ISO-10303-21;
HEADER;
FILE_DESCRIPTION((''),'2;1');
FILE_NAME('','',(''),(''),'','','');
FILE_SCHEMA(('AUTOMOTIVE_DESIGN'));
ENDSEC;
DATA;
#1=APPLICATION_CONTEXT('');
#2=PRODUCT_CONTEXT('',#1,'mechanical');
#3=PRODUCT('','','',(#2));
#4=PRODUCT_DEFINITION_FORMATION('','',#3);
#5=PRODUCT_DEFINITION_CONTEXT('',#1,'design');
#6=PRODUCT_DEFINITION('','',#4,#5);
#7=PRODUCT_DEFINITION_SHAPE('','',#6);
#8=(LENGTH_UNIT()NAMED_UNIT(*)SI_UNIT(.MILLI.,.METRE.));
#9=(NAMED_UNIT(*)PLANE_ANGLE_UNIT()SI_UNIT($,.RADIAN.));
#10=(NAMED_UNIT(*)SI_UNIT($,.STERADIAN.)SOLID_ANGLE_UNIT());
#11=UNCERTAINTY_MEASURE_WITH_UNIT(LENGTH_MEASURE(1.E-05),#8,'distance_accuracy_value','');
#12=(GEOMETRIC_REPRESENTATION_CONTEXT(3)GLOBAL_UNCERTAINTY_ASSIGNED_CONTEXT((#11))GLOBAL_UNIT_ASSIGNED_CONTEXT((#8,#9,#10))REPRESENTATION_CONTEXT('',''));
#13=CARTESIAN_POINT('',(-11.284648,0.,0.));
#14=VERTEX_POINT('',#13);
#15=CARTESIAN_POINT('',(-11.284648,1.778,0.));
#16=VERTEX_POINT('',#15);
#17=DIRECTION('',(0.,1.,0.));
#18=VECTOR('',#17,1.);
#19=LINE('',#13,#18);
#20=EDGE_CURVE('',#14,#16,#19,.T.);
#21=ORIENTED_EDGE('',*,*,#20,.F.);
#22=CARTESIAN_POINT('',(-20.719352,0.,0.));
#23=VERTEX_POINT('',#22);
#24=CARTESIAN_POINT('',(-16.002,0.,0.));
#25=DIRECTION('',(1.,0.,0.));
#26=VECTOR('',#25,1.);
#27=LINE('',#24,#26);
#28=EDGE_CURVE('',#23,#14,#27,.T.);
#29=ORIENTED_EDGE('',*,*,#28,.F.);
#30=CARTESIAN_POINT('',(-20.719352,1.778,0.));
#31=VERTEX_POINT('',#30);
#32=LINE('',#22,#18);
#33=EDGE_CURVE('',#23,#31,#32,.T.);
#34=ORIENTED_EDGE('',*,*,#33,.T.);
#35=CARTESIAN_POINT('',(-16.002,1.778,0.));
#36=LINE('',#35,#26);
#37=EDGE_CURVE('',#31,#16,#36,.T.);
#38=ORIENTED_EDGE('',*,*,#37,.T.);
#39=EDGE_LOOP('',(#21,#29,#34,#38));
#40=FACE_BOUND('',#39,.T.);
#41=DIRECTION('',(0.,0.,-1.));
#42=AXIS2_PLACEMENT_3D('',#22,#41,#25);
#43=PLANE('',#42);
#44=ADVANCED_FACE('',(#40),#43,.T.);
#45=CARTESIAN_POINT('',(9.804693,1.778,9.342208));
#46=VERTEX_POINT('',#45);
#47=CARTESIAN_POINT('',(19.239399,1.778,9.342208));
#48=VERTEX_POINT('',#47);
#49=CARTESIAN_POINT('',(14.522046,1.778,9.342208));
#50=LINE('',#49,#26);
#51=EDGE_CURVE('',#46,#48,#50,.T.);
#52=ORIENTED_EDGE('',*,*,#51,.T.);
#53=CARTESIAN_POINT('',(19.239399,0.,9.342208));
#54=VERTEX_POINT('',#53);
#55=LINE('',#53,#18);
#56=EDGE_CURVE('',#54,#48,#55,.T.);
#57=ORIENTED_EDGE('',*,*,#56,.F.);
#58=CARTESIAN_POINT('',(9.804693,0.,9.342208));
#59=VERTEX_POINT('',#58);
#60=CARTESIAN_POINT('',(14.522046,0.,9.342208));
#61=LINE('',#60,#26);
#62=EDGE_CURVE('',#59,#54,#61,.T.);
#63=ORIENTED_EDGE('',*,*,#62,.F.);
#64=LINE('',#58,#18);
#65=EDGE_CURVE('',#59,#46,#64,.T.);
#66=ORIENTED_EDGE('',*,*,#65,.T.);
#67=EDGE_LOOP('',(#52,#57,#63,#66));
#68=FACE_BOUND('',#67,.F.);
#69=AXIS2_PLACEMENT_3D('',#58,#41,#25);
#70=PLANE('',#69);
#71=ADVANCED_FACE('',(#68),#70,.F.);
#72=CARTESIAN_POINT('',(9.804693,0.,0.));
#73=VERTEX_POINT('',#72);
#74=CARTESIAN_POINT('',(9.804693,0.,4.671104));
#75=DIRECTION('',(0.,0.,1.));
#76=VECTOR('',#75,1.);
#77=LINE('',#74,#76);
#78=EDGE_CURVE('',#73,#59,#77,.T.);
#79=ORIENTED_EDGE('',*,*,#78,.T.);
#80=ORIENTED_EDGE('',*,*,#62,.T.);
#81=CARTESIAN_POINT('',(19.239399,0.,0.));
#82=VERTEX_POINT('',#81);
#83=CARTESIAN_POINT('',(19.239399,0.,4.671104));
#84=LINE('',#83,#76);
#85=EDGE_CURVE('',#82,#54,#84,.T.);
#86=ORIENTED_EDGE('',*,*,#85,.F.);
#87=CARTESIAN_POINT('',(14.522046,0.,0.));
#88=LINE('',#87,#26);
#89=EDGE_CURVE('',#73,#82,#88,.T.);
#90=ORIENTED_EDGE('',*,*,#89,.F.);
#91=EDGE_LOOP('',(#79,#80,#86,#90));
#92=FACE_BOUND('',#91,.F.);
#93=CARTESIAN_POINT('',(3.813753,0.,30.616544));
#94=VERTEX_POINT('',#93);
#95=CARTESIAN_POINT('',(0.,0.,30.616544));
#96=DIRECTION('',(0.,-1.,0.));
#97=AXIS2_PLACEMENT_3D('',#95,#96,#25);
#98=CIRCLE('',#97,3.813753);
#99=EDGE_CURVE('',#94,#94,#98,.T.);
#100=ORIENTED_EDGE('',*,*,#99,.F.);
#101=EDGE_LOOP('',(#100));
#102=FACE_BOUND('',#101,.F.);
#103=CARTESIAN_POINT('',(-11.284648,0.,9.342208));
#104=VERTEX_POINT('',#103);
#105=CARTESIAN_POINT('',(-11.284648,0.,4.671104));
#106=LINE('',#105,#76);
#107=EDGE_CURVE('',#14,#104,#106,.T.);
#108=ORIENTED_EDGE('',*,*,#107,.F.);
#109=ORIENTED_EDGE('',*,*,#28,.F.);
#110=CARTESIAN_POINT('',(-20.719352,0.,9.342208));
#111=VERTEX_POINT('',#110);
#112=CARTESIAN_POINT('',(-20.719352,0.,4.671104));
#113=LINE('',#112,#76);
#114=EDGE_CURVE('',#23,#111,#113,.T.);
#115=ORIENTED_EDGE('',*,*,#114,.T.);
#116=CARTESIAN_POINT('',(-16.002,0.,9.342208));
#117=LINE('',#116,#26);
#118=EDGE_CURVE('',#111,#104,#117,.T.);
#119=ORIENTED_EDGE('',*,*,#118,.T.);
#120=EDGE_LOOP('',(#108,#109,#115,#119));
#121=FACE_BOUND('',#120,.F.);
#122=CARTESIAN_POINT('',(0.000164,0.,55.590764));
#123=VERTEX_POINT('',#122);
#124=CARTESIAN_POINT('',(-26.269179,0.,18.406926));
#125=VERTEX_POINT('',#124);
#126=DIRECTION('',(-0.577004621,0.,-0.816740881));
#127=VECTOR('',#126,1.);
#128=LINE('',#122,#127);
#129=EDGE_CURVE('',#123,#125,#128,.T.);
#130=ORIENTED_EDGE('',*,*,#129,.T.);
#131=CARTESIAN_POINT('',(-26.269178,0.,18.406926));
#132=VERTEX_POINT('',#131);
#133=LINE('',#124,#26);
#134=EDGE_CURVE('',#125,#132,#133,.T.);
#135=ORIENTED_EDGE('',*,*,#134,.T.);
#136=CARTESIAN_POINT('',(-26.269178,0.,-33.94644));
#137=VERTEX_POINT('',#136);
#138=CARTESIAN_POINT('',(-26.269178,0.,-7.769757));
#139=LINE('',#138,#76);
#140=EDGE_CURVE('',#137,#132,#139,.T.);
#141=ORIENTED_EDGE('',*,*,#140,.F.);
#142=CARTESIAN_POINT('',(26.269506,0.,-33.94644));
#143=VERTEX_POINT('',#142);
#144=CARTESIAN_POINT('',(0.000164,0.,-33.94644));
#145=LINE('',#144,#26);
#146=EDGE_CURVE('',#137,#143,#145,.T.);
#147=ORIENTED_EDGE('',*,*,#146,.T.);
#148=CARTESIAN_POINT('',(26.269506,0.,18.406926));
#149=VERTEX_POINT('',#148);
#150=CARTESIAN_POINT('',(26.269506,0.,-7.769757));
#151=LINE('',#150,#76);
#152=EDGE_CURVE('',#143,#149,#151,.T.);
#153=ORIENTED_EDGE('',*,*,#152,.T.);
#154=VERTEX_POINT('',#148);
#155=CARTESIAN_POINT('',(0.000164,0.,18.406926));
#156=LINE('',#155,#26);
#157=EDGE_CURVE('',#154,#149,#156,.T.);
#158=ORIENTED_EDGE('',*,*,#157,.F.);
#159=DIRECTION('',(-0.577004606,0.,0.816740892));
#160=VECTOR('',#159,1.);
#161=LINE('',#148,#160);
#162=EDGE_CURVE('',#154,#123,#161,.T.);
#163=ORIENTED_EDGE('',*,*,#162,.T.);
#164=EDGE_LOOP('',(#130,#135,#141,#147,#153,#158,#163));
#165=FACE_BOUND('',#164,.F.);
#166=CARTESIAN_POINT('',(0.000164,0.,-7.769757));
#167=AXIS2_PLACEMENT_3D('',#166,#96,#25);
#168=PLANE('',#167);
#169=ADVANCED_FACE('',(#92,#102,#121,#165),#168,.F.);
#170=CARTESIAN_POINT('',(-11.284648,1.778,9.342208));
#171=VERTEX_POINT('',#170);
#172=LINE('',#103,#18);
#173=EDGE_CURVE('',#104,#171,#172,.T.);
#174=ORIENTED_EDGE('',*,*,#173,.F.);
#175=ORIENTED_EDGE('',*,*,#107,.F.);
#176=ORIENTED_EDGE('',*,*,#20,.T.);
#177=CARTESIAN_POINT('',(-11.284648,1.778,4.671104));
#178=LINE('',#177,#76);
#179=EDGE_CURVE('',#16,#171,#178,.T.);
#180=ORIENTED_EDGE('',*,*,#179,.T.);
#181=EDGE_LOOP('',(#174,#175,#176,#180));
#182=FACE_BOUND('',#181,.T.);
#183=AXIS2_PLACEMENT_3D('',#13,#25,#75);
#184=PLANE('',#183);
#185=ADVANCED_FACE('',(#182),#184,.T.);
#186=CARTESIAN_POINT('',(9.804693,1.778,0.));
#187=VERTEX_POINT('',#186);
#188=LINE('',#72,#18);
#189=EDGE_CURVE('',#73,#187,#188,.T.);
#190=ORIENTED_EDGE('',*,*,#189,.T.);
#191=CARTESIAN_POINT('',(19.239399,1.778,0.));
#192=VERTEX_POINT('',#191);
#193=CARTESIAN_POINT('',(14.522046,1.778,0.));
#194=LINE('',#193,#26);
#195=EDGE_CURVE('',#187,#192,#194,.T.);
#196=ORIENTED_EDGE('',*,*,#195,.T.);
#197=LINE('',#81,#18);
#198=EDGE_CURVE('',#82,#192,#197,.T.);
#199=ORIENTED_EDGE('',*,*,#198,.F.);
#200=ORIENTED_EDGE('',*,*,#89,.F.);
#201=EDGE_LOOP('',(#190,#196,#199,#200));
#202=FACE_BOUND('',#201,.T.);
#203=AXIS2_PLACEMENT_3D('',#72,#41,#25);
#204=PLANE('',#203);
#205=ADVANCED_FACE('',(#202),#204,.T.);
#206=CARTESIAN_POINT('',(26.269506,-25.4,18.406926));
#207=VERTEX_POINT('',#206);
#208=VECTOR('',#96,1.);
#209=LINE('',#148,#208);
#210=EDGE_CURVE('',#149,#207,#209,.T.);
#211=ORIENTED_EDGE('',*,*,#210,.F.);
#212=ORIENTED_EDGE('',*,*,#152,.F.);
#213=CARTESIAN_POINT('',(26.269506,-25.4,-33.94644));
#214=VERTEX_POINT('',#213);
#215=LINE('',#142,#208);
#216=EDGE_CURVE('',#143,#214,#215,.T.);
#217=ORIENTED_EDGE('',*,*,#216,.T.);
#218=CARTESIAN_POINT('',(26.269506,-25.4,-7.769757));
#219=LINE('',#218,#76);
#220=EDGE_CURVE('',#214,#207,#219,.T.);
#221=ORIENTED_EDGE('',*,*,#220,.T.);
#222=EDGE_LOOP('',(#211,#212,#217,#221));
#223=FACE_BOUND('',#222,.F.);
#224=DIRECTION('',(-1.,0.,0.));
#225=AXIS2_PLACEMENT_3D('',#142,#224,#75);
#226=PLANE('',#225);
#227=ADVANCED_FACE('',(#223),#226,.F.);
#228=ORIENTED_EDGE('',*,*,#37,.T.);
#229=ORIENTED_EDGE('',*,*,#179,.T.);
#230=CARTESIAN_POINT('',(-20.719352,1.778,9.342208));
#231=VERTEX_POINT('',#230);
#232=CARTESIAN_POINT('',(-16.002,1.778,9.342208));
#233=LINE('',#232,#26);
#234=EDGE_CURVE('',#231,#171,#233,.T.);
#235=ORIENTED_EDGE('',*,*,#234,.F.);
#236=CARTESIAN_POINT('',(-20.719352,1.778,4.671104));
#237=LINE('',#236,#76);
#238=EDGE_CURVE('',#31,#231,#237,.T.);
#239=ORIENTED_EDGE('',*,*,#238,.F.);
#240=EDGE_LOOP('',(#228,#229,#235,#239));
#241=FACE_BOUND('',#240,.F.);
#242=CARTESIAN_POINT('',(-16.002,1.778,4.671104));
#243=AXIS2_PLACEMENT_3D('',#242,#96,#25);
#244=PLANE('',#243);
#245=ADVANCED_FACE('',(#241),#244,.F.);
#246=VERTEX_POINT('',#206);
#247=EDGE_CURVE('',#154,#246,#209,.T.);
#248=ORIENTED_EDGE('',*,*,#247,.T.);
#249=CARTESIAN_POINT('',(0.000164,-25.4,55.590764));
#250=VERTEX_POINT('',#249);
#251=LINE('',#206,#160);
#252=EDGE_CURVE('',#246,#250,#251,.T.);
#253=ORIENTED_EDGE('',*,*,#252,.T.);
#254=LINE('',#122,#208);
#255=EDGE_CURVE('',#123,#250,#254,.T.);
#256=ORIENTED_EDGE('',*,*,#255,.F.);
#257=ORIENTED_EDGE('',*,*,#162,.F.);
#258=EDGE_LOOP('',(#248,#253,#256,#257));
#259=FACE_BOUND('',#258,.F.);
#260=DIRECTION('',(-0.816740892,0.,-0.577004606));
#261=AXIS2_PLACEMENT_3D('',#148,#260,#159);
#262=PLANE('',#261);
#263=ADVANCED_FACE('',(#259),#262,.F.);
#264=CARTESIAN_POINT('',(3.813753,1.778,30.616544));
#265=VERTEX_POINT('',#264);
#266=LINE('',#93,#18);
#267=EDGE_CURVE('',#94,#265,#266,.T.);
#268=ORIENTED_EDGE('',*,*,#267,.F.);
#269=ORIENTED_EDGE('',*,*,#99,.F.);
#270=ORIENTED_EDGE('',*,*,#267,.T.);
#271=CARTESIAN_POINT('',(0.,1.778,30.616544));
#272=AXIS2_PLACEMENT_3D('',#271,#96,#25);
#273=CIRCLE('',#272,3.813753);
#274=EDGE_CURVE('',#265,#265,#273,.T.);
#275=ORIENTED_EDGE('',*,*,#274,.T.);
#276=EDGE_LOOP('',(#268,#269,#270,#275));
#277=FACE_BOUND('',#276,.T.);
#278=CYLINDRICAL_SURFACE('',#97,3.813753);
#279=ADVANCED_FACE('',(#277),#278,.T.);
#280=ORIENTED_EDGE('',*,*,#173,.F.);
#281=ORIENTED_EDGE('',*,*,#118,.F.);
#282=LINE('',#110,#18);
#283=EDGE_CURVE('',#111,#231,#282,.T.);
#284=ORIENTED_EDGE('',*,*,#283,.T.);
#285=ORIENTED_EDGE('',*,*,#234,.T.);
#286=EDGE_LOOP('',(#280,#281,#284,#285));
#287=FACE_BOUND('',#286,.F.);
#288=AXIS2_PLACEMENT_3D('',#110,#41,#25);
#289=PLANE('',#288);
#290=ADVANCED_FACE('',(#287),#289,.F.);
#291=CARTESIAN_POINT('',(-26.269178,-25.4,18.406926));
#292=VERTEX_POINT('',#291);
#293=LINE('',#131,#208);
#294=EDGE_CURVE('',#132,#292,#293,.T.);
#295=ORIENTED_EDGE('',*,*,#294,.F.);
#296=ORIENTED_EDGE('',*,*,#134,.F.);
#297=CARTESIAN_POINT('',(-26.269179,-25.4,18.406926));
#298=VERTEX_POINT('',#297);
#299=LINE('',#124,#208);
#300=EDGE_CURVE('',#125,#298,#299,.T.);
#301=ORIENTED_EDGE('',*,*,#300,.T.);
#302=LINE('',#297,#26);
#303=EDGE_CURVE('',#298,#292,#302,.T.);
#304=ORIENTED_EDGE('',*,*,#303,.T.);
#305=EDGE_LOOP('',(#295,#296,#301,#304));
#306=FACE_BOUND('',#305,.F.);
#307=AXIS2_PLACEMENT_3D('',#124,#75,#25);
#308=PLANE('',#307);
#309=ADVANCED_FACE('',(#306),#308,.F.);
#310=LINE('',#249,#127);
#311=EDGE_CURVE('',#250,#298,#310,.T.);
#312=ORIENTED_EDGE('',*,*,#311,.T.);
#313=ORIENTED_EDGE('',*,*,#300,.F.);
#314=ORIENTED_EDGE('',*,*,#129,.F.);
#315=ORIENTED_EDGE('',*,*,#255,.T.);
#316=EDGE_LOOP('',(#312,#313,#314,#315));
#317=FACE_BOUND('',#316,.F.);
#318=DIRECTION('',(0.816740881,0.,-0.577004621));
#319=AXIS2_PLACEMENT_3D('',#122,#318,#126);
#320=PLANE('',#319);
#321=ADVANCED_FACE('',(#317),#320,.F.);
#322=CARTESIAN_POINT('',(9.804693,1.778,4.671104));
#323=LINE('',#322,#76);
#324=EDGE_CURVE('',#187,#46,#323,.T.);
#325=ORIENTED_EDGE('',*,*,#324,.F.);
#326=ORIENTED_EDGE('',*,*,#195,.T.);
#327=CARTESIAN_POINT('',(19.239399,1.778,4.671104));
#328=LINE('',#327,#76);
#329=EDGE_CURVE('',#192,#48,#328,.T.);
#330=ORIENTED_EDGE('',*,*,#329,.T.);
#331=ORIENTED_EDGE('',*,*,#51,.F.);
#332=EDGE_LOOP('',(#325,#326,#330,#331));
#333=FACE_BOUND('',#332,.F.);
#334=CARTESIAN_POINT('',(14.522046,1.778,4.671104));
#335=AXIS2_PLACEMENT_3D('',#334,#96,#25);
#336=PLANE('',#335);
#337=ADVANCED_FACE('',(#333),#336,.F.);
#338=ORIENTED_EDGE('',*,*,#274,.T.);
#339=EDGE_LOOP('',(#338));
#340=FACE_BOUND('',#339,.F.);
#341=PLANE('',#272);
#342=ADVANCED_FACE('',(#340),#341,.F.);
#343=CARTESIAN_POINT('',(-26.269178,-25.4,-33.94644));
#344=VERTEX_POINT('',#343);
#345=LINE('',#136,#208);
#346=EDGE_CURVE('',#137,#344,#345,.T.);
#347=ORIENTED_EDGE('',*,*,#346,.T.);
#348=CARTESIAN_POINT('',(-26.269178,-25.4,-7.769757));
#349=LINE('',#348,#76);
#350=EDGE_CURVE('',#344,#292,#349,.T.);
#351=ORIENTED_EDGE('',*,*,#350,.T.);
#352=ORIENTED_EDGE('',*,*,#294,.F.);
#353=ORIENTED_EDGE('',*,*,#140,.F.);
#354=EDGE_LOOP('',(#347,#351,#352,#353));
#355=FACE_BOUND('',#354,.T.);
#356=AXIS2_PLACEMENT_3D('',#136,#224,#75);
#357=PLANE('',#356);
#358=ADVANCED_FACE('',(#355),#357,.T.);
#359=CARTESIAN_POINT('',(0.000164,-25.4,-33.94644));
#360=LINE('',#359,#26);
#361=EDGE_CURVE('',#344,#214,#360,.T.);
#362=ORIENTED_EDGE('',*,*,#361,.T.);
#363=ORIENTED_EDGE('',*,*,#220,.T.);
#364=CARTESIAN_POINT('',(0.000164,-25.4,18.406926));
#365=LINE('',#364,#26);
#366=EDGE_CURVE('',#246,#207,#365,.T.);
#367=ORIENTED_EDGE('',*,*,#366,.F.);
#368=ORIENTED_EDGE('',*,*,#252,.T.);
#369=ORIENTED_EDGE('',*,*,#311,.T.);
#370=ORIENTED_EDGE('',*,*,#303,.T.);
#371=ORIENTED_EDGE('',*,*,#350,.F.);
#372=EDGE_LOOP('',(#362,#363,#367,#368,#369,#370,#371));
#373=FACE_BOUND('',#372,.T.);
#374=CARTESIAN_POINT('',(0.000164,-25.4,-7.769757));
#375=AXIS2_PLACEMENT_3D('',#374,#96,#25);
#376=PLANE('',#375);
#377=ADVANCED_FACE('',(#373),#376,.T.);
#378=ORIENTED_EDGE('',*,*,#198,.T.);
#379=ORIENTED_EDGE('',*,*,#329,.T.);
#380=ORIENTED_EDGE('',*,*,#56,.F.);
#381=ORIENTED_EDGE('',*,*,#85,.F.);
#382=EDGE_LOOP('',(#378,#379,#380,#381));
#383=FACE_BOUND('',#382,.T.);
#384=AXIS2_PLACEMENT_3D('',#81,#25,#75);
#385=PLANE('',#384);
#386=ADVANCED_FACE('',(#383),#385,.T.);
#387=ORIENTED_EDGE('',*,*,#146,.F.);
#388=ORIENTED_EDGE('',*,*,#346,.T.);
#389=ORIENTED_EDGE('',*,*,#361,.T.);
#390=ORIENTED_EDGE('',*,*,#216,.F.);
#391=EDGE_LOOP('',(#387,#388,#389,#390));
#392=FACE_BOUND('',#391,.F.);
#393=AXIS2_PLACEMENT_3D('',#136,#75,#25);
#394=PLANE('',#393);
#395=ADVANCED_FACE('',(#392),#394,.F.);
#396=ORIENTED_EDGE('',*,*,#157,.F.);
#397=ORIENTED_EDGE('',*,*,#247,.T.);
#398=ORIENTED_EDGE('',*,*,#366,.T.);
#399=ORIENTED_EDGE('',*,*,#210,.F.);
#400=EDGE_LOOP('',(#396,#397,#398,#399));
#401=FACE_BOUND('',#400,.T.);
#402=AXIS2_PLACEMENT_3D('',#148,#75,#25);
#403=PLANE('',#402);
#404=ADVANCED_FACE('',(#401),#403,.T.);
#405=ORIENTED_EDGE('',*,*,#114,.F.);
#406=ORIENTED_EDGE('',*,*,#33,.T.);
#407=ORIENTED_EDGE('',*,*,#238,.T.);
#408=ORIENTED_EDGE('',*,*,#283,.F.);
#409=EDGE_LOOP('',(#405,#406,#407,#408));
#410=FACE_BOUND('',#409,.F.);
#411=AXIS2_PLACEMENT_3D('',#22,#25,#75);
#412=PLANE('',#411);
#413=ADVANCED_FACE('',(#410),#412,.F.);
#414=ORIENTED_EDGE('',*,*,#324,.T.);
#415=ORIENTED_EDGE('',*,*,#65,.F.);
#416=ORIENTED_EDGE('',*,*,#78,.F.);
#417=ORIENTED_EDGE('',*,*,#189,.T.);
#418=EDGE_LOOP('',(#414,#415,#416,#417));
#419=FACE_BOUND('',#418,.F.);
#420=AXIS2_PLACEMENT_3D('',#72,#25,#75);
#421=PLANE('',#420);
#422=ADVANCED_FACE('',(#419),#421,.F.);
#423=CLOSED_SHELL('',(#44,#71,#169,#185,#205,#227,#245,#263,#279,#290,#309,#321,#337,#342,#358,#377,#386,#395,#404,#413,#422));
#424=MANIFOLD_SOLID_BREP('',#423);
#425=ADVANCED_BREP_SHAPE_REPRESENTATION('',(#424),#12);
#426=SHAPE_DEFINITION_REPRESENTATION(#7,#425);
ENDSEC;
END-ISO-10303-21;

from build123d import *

# Parameters (mm, degrees)
F0_W     = 52.538685
F0_H     = 52.353366
F2_DEPTH = 25.4
F1_W     = 9.434705
F1_H     = 9.342208
F1_W_2   = 9.434706
F1_R     = 3.813753
F3_DEPTH = 1.778


with BuildPart() as f2:
    # F0 (on Front) → F2 (new body)
    with BuildSketch(Plane.XZ):
        with Locations((0.000164, -7.769757)):
            Rectangle(F0_W, F0_H)
        Polygon((0.000164, 55.590764), (-26.269179, 18.406926), (26.269506, 18.406926), align=None)
    extrude(amount=F2_DEPTH)

    # F1 (on Front) → F3 (join)
    with BuildSketch(Plane.XZ):
        with Locations((-16.002, 4.671104)):
            Rectangle(F1_W, F1_H)
        with Locations((14.522046, 4.671104)):
            Rectangle(F1_W_2, F1_H)
        with Locations((0, 30.616544)):
            Circle(F1_R)
    extrude(amount=-F3_DEPTH)


solid = f2.part
